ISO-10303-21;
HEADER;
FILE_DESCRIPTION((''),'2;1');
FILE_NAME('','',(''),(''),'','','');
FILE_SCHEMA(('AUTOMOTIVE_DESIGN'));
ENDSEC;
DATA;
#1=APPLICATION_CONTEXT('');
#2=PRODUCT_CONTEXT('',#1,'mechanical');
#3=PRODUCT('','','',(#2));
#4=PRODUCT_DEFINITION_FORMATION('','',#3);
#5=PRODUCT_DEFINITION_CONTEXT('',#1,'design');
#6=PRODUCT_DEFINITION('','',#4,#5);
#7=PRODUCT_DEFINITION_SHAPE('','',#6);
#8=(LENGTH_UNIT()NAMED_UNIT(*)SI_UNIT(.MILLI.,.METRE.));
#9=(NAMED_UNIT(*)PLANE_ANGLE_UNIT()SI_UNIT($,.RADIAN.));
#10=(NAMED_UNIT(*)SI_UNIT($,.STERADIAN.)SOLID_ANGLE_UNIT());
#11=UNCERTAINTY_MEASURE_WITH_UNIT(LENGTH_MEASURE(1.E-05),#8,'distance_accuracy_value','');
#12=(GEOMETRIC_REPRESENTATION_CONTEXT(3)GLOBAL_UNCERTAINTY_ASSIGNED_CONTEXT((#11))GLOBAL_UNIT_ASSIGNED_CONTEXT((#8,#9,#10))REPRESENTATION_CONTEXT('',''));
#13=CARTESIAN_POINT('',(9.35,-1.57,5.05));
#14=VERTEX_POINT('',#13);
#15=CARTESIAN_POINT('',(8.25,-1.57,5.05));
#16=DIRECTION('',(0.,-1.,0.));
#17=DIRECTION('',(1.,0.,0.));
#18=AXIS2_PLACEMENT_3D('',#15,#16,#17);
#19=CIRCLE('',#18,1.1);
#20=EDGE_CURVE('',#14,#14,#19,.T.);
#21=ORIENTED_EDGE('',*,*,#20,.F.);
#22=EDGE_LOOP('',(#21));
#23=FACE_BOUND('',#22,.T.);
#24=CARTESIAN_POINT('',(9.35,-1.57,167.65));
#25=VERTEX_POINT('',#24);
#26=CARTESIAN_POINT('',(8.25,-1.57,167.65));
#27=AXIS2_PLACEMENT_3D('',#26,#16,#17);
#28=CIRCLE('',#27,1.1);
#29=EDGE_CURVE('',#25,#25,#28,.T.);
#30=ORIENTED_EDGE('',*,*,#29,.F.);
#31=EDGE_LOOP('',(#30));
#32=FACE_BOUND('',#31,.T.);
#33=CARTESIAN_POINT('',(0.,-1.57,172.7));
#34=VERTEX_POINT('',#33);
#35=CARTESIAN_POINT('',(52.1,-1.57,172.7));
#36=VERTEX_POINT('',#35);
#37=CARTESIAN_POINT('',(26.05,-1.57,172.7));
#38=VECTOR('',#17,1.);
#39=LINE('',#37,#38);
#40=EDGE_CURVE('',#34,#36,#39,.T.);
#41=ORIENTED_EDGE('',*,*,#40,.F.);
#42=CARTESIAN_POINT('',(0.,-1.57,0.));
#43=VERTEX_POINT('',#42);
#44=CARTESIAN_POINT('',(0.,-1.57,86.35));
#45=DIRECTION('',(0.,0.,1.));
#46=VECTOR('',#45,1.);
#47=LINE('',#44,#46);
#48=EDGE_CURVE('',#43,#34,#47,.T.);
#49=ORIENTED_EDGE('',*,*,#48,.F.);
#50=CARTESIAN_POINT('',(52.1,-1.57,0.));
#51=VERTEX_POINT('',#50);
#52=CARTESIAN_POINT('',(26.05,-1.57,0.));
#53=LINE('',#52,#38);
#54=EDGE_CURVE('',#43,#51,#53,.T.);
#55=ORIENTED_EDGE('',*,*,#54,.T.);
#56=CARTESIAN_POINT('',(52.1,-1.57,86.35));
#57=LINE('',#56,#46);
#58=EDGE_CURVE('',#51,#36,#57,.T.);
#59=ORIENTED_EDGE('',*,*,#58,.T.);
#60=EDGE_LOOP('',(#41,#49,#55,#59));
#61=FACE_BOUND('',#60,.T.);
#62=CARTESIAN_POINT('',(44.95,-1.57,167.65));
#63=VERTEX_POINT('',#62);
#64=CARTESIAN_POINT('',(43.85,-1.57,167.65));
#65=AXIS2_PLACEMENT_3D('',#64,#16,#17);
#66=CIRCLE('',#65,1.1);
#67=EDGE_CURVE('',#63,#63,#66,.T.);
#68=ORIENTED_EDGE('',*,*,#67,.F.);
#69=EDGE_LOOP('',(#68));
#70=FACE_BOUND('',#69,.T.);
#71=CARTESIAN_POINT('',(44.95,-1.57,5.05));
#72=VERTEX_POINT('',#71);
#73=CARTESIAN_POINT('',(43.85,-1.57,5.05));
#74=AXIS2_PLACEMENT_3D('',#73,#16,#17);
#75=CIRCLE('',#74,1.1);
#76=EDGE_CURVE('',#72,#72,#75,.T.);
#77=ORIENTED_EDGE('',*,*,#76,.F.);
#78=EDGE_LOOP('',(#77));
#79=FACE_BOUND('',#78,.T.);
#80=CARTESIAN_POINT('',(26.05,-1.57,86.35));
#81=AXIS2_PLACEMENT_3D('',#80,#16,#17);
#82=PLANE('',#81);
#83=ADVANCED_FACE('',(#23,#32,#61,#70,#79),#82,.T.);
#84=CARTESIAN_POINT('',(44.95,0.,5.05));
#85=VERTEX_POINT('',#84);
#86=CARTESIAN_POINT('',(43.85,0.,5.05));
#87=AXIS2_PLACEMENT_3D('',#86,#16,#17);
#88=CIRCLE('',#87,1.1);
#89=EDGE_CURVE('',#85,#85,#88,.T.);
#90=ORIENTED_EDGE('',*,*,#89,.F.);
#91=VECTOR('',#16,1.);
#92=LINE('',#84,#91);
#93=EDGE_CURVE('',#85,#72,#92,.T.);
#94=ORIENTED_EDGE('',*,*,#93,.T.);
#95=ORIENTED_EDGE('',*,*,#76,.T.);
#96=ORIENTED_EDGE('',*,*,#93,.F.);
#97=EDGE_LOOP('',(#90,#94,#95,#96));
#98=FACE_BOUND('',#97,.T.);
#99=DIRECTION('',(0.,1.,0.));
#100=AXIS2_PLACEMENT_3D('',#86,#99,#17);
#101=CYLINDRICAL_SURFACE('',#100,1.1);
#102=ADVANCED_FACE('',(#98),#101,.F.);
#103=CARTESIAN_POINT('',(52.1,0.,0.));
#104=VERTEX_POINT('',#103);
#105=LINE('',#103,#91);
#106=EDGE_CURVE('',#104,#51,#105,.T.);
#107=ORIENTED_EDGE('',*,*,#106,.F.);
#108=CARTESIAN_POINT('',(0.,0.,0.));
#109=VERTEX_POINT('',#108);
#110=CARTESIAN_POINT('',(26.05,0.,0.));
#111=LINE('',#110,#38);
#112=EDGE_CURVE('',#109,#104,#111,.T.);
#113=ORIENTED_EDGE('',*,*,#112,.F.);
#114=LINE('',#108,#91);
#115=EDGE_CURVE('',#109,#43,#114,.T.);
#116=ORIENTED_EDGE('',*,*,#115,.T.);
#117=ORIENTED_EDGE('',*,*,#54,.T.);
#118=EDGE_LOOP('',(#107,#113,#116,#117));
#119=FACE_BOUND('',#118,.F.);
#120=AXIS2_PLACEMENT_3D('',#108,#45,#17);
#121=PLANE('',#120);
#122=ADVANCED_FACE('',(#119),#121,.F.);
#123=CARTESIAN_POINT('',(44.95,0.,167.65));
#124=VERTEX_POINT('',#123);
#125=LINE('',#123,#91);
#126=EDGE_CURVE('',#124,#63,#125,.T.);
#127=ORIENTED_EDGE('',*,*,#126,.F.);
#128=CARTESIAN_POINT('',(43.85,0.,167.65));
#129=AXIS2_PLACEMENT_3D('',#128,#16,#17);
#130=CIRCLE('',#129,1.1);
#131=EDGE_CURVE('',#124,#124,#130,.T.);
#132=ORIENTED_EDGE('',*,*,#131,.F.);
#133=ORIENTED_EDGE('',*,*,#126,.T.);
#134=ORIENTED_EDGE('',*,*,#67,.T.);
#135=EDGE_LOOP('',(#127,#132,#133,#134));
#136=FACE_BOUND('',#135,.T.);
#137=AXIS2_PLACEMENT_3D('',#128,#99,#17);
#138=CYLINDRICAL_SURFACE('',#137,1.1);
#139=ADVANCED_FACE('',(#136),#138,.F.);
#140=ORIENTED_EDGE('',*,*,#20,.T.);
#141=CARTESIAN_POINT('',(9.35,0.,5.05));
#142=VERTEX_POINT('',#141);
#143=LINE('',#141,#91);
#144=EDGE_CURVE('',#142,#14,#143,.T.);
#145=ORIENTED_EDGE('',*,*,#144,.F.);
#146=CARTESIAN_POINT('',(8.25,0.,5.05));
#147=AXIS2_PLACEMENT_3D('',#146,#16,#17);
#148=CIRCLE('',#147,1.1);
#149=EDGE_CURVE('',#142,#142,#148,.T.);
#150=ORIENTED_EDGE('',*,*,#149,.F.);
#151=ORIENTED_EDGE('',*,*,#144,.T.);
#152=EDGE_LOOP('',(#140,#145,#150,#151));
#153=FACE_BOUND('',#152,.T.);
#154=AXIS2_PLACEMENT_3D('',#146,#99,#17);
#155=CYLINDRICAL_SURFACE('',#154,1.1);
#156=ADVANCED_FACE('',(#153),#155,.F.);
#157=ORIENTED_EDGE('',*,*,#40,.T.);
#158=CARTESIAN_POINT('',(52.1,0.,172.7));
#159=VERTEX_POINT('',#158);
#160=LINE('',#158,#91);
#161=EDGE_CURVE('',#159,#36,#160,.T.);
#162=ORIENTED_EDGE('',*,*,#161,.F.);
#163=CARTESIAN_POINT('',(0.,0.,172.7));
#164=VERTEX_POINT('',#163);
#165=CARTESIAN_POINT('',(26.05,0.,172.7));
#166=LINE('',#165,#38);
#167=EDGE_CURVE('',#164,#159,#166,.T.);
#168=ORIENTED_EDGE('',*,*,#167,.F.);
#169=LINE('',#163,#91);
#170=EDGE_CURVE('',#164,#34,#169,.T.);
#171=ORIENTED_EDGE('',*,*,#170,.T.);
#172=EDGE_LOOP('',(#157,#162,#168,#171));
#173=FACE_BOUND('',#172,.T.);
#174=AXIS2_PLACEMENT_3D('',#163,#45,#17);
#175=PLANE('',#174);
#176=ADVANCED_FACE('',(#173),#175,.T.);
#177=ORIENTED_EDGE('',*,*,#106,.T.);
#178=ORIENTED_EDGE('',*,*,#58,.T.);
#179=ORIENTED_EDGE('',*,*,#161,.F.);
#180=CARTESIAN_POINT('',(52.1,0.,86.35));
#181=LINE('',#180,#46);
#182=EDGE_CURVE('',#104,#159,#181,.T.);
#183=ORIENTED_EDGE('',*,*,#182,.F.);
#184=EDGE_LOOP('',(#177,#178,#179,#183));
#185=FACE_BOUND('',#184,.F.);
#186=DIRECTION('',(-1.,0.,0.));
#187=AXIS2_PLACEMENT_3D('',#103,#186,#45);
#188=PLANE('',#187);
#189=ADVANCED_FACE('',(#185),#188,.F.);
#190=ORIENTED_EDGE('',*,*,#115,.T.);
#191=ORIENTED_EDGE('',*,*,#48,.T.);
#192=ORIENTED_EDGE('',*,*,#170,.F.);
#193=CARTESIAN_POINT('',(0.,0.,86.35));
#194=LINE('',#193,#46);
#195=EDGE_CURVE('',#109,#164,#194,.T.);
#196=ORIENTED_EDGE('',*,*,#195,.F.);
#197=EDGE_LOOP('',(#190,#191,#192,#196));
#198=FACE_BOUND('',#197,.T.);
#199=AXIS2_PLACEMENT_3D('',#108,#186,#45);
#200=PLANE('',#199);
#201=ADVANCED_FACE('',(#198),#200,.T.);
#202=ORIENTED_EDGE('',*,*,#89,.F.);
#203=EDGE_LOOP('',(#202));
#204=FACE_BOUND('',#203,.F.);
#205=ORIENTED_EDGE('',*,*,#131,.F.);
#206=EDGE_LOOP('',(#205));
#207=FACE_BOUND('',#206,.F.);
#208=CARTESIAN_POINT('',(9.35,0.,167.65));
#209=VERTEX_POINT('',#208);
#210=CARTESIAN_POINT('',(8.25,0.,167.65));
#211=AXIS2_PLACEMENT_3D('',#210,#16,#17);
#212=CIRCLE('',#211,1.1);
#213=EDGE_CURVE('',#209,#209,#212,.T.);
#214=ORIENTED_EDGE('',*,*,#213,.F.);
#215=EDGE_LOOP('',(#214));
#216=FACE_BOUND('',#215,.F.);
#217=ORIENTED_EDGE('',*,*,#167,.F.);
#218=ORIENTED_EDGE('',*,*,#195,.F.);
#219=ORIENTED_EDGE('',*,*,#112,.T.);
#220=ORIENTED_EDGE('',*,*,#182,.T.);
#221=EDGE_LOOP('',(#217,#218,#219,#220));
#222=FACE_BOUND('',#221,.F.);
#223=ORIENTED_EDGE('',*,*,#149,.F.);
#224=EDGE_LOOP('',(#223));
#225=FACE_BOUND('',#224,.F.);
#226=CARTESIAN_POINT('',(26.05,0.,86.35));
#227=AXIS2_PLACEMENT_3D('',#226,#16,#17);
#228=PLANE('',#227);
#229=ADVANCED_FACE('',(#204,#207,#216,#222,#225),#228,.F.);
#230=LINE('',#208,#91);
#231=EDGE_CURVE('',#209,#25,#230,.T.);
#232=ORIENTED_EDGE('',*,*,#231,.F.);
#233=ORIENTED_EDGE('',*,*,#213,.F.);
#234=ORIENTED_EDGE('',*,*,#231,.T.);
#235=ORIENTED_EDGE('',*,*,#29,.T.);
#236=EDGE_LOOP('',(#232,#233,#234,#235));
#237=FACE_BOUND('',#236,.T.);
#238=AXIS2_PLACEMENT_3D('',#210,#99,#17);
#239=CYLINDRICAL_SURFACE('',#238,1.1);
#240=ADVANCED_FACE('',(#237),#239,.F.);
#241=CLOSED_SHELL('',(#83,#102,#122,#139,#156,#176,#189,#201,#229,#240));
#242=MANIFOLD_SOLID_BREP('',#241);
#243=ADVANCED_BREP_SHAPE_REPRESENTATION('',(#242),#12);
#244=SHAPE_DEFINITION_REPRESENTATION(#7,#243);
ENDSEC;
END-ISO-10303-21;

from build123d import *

# Parameters (mm, degrees)
SKETCH020_W  = 52.1
SKETCH020_H  = 172.7
SKETCH020_R  = 1.1
PAD007_DEPTH = 1.57


with BuildPart() as part:
    # Sketch020 → Pad007 (new body)
    with BuildSketch(Plane.XZ):
        with Locations((26.05, 86.35)):
            Rectangle(SKETCH020_W, SKETCH020_H)
        with Locations((8.25, 167.65)):
            Circle(SKETCH020_R, mode=Mode.SUBTRACT)
        with Locations((43.85, 167.65)):
            Circle(SKETCH020_R, mode=Mode.SUBTRACT)
        with Locations((43.85, 5.05)):
            Circle(SKETCH020_R, mode=Mode.SUBTRACT)
        with Locations((8.25, 5.05)):
            Circle(SKETCH020_R, mode=Mode.SUBTRACT)
    extrude(amount=PAD007_DEPTH)


solid = part.part
